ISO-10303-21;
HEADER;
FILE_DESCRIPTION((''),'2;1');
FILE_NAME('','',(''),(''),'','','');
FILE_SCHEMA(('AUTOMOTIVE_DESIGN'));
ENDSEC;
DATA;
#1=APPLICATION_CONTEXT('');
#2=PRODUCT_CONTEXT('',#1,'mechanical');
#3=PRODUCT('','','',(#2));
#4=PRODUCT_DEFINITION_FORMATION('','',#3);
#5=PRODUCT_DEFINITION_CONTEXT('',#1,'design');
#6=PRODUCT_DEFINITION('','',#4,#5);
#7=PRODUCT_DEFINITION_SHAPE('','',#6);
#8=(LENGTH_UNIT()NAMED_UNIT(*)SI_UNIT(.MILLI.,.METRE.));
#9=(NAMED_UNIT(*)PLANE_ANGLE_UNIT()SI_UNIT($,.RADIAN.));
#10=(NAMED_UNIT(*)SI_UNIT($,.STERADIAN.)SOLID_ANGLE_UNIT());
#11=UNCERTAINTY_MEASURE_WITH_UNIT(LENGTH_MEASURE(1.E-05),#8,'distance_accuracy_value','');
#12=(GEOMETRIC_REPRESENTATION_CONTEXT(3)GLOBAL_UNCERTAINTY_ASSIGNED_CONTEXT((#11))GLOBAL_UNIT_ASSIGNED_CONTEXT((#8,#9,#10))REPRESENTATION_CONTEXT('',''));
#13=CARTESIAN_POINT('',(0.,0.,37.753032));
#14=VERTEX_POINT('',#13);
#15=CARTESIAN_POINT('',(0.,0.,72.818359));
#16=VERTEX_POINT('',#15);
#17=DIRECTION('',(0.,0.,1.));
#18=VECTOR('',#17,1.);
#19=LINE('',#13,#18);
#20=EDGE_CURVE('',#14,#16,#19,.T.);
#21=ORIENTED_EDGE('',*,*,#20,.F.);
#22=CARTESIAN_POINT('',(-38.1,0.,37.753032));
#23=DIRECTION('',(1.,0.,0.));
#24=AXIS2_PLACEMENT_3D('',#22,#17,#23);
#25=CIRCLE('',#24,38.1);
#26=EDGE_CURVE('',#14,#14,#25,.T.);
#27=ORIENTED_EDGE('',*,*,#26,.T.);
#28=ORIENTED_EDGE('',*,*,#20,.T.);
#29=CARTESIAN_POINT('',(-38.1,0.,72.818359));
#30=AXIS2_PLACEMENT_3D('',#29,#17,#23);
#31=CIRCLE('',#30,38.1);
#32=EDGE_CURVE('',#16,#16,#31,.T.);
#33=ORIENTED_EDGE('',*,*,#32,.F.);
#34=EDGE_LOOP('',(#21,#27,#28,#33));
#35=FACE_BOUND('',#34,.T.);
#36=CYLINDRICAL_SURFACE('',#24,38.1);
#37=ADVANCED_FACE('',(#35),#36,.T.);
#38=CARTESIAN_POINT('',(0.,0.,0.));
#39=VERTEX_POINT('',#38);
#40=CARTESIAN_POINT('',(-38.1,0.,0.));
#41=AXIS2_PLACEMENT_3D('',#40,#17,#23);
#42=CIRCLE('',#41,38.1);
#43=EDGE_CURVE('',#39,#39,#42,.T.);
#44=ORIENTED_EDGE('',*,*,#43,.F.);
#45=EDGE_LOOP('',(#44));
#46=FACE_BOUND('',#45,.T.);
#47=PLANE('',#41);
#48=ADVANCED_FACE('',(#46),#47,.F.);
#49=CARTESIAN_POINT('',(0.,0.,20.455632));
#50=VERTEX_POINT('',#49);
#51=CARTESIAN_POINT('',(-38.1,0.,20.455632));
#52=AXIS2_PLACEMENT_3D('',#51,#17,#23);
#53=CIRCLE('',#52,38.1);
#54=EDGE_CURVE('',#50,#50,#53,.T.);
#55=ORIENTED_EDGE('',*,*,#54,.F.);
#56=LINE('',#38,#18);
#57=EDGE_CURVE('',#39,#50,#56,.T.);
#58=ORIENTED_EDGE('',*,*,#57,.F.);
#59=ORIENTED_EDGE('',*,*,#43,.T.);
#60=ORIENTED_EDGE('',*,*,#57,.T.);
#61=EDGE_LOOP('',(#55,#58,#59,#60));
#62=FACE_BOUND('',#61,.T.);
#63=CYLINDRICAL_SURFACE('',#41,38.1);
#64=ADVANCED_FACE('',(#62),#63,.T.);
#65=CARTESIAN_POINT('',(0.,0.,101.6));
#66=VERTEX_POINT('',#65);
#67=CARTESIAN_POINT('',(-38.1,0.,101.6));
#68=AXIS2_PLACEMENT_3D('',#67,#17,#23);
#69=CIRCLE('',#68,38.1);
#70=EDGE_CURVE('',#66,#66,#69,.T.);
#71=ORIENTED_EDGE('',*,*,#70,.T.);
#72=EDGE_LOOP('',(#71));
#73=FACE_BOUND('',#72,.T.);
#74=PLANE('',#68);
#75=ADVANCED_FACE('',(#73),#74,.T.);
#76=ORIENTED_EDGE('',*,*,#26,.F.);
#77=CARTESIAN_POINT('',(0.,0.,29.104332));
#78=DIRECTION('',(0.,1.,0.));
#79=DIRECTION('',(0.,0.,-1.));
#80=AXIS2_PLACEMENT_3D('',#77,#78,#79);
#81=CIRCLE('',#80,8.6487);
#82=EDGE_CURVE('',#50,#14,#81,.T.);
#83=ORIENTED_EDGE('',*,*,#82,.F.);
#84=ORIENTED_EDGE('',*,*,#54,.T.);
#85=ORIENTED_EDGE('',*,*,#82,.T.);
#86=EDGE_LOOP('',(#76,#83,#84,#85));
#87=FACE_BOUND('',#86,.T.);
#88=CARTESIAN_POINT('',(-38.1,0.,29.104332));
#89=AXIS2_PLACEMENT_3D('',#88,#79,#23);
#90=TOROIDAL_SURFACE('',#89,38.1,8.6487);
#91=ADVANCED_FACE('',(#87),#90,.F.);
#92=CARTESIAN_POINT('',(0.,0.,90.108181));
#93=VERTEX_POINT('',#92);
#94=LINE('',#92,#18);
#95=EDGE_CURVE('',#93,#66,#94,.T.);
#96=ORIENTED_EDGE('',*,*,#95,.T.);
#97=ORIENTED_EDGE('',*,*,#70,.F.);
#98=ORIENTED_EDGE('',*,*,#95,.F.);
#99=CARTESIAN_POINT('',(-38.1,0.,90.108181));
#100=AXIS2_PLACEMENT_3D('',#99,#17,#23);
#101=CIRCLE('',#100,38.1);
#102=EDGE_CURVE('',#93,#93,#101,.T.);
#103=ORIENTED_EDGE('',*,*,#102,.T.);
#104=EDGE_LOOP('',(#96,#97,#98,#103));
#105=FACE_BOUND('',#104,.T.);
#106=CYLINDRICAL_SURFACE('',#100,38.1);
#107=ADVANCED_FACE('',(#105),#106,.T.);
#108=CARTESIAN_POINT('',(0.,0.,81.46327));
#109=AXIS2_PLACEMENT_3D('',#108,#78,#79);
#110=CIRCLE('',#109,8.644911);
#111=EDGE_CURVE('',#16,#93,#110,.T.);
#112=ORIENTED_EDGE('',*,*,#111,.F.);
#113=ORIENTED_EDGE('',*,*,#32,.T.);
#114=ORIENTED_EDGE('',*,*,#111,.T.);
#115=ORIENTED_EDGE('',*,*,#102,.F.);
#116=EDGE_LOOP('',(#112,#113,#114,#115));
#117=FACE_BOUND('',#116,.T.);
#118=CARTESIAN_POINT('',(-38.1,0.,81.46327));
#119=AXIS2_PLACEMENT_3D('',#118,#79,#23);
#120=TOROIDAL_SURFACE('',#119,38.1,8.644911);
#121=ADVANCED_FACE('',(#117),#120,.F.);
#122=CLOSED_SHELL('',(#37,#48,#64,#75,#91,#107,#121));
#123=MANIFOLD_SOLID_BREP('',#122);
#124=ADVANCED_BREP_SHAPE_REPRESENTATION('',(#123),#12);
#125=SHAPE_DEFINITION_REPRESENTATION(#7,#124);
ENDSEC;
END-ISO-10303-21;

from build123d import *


with BuildPart() as f1:
    # F0 (on Front) → F1 (revolve)
    with BuildSketch(Plane.XZ):
        with BuildLine():
            Line((-38.1, 0), (0, 0))
            Line((0, 0), (0, 20.455632))
            ThreePointArc((0, 20.455632), (-8.6487, 29.104332), (0, 37.753032))
            Line((0, 37.753032), (0, 72.818359))
            ThreePointArc((0, 72.818359), (-8.644911, 81.46327), (0, 90.108181))
            Line((0, 90.108181), (0, 101.6))
            Line((0, 101.6), (-38.1, 101.6))
            Line((-38.1, 101.6), (-38.1, 0))
        make_face()
    revolve(axis=Axis((-38.1, 0, 50.8), (0, 0, 1)))


solid = f1.part
